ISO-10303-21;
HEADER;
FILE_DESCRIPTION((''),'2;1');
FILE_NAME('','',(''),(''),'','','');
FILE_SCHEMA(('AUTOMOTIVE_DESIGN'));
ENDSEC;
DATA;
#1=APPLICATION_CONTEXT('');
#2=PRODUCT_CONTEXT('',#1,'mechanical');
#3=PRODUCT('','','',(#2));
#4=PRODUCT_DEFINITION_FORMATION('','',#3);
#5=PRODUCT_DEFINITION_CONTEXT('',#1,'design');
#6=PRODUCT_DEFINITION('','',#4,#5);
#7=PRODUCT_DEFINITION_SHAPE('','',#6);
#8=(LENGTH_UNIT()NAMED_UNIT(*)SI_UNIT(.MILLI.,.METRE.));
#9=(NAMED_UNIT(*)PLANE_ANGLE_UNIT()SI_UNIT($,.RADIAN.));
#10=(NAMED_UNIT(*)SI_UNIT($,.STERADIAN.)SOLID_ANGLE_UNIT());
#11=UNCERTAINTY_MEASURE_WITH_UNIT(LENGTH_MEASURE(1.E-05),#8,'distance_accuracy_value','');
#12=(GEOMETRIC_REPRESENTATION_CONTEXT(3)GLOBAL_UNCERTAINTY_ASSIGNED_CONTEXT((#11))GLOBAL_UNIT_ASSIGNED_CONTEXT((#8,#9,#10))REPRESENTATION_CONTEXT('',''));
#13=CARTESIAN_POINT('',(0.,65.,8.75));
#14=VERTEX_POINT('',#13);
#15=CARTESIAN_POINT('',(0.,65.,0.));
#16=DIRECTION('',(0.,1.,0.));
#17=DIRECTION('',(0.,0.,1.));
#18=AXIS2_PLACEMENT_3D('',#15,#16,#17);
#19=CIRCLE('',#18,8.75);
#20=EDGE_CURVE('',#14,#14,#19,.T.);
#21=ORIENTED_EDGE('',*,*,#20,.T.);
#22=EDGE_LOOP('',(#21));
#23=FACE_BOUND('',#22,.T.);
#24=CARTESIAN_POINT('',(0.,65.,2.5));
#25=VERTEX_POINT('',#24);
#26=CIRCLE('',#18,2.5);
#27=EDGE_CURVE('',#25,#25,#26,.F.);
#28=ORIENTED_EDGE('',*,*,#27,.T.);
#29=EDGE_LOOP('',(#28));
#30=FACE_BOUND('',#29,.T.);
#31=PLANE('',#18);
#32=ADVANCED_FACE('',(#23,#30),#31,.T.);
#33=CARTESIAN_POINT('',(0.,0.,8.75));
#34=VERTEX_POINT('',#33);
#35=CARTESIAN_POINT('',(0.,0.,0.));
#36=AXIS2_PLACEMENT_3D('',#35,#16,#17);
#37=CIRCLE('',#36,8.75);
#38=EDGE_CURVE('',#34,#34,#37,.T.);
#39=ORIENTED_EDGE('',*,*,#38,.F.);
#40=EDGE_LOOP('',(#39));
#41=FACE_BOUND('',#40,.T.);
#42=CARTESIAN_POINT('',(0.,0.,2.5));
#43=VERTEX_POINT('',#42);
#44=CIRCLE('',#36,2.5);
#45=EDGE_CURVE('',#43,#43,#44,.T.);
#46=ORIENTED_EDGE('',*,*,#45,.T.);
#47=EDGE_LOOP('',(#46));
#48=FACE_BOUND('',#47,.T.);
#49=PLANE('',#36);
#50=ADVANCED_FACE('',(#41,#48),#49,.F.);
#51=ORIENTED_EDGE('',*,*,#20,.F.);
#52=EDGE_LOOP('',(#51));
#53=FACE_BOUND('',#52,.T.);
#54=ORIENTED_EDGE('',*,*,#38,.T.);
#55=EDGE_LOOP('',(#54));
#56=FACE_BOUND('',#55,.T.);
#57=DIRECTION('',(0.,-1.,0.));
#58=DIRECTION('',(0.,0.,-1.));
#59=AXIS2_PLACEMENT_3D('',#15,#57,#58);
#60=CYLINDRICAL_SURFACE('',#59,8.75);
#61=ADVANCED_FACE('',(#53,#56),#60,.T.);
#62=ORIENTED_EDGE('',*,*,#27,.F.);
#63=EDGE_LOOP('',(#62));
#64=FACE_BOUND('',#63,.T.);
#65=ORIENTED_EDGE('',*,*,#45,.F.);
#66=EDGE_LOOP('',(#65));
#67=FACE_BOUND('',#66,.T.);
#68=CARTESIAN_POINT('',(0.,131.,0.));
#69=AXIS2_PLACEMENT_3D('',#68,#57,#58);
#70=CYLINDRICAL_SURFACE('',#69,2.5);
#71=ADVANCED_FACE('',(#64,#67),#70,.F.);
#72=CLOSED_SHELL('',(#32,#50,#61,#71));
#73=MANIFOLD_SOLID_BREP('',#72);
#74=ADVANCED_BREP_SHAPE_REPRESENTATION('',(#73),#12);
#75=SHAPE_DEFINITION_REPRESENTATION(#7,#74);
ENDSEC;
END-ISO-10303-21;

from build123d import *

# Parameters (mm, degrees)
SKETCH1_R           = 8.75
BOSS_EXTRUDE1_DEPTH = 65
SKETCH2_R           = 2.5
CUT_EXTRUDE1_DEPTH  = 131


with BuildPart() as part:
    # Sketch1 → Boss-Extrude1 (new body)
    with BuildSketch(Plane(origin=(0, 0, 0), x_dir=(1, 0, 0), z_dir=(0, 1, 0))):
        with Locations(Location((0, 0, 0), (0, 0, 270))):
            Circle(SKETCH1_R)
    extrude(amount=BOSS_EXTRUDE1_DEPTH)

    # Sketch2 → Cut-Extrude1 (cut)
    with BuildSketch(Plane(origin=(0, 0, 0), x_dir=(1, 0, 0), z_dir=(0, 1, 0))):
        with Locations(Location((0, 0, 0), (0, 0, 270))):
            Circle(SKETCH2_R)
    extrude(amount=CUT_EXTRUDE1_DEPTH, mode=Mode.SUBTRACT)


solid = part.part
